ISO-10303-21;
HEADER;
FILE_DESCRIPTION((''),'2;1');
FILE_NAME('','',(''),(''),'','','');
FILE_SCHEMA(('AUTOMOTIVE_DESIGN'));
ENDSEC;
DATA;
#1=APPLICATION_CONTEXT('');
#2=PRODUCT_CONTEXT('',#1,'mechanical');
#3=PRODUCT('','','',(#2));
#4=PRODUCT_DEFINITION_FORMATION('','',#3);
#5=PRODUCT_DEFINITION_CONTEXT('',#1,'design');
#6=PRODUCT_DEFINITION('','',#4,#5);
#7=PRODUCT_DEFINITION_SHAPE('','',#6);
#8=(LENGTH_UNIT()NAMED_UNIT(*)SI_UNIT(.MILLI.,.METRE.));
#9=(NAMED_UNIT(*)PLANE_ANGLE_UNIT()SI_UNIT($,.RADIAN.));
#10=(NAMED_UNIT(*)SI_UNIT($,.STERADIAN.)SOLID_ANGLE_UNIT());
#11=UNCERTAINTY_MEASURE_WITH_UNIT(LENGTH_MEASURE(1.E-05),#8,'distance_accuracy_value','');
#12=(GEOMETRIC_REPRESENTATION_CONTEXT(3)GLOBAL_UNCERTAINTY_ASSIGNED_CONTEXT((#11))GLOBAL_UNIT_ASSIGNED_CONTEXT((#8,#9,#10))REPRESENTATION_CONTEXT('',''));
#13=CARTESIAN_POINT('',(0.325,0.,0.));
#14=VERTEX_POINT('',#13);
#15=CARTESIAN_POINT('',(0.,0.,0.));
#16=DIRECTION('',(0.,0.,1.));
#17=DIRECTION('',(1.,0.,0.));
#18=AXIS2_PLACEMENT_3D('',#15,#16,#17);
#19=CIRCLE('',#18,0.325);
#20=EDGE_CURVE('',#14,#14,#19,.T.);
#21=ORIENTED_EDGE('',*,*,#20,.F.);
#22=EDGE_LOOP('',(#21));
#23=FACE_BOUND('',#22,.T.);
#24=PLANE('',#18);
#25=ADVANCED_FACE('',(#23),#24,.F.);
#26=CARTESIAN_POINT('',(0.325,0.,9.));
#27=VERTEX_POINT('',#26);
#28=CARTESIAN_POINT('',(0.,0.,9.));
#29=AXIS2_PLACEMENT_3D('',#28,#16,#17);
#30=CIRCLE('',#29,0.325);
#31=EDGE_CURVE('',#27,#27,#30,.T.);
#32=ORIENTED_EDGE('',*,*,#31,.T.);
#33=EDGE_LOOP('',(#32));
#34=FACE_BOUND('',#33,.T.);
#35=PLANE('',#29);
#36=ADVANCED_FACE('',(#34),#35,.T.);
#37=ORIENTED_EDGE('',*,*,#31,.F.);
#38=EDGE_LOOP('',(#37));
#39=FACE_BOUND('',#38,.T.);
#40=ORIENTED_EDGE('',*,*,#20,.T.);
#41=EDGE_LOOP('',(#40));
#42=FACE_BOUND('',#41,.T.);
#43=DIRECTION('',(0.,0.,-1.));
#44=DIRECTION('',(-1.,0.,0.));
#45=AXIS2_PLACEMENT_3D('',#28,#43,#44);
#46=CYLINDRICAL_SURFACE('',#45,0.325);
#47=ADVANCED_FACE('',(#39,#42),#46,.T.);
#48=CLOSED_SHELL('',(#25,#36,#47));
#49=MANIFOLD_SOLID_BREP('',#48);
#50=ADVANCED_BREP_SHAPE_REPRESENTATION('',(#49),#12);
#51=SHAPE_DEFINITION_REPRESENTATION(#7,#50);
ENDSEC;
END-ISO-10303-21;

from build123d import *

# Parameters (mm, degrees)
SKETCH_1_R      = 0.325
EXTRUDE_1_DEPTH = 9


with BuildPart() as part:
    # 草图1 → 凸台-拉伸1 (new body)
    with BuildSketch(Plane.XY):
        Circle(SKETCH_1_R)
    extrude(amount=EXTRUDE_1_DEPTH)


solid = part.part
